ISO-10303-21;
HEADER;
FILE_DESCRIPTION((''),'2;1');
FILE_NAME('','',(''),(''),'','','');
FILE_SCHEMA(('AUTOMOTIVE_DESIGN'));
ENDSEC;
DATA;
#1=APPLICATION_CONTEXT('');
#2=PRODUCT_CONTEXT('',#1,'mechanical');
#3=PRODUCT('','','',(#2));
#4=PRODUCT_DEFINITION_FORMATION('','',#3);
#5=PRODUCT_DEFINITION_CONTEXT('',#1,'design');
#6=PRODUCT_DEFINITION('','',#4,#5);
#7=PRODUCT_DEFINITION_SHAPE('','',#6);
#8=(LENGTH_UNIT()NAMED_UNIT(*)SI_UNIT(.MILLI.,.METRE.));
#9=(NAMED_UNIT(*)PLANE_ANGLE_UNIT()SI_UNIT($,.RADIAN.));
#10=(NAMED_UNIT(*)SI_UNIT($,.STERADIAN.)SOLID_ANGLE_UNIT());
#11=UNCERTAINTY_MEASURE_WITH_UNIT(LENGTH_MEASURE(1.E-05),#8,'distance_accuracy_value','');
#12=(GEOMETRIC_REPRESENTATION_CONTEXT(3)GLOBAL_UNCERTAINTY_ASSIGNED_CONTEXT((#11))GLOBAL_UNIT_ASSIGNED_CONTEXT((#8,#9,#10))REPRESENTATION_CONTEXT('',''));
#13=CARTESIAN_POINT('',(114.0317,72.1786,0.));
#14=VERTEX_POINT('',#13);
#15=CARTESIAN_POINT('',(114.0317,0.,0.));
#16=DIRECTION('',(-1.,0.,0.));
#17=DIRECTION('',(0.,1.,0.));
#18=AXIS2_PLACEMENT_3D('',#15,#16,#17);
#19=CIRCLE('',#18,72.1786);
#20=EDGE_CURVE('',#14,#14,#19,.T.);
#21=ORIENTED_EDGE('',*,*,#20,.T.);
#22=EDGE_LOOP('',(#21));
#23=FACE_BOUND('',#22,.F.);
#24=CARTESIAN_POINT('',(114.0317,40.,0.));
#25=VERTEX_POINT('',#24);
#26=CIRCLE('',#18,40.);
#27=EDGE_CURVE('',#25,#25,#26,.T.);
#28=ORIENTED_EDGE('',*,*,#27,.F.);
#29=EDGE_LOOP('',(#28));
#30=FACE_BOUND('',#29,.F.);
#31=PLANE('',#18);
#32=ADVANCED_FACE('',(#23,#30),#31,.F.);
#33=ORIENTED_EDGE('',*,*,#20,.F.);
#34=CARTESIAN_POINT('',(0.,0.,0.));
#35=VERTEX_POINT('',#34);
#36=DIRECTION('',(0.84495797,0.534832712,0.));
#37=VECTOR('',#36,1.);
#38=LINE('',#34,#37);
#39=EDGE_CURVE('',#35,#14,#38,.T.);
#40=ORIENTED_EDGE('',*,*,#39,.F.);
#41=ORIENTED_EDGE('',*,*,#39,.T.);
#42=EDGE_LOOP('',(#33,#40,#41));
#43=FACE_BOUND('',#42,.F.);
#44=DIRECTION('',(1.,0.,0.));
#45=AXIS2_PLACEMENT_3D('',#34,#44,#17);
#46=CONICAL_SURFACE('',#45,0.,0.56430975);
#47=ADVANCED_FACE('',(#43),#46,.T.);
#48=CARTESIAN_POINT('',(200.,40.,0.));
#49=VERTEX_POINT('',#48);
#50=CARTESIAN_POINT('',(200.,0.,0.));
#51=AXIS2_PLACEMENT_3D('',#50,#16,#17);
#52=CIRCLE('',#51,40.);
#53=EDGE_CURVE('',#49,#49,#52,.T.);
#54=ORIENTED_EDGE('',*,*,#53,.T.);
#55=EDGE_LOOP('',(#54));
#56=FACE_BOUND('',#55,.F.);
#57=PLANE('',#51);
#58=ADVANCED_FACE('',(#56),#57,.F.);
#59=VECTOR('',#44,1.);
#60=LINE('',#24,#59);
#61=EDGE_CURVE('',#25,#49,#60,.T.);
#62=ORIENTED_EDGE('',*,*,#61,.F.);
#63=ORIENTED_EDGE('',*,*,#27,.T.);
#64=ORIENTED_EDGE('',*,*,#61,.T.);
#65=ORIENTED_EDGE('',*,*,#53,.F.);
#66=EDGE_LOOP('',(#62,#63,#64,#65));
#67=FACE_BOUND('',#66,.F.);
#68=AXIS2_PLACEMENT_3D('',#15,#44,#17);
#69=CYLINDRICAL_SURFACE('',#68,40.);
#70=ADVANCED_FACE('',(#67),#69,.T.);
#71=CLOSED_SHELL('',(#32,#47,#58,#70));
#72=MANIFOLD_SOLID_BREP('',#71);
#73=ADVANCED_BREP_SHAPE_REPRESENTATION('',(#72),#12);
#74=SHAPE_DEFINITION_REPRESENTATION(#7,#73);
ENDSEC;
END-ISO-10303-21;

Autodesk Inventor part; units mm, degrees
ref_plane "YZ Plane" through (0, 0, 0) normal (1, 0, 0) x (0, 1, 0)
ref_plane "XZ Plane" through (0, 0, 0) normal (0, 1, 0) x (-1, 0, 0)
ref_plane "XY Plane" through (0, 0, 0) normal (0, 0, 1) x (1, 0, 0)
sketch "草圖1" plane through (0, 0, 0) normal (0, 0, 1) x (1, 0, 0)
  line L0 (0, 0) -> (114.0317, 72.1786)
  line L1 (114.0317, 72.1786) -> (114.0317, 40)
  line L2 (114.0317, 40) -> (200, 40)
  line L3 (200, 40) -> (200, 0)
  line L4 (200, 0) -> (0, 0)
  dimension "d0" = 40
  dimension "d1" = 200
revolve "迴轉1" add sketch "草圖1" angle 360 about axis through (200, 0, 0) along (-1, 0, 0)
properties part number "探針"
